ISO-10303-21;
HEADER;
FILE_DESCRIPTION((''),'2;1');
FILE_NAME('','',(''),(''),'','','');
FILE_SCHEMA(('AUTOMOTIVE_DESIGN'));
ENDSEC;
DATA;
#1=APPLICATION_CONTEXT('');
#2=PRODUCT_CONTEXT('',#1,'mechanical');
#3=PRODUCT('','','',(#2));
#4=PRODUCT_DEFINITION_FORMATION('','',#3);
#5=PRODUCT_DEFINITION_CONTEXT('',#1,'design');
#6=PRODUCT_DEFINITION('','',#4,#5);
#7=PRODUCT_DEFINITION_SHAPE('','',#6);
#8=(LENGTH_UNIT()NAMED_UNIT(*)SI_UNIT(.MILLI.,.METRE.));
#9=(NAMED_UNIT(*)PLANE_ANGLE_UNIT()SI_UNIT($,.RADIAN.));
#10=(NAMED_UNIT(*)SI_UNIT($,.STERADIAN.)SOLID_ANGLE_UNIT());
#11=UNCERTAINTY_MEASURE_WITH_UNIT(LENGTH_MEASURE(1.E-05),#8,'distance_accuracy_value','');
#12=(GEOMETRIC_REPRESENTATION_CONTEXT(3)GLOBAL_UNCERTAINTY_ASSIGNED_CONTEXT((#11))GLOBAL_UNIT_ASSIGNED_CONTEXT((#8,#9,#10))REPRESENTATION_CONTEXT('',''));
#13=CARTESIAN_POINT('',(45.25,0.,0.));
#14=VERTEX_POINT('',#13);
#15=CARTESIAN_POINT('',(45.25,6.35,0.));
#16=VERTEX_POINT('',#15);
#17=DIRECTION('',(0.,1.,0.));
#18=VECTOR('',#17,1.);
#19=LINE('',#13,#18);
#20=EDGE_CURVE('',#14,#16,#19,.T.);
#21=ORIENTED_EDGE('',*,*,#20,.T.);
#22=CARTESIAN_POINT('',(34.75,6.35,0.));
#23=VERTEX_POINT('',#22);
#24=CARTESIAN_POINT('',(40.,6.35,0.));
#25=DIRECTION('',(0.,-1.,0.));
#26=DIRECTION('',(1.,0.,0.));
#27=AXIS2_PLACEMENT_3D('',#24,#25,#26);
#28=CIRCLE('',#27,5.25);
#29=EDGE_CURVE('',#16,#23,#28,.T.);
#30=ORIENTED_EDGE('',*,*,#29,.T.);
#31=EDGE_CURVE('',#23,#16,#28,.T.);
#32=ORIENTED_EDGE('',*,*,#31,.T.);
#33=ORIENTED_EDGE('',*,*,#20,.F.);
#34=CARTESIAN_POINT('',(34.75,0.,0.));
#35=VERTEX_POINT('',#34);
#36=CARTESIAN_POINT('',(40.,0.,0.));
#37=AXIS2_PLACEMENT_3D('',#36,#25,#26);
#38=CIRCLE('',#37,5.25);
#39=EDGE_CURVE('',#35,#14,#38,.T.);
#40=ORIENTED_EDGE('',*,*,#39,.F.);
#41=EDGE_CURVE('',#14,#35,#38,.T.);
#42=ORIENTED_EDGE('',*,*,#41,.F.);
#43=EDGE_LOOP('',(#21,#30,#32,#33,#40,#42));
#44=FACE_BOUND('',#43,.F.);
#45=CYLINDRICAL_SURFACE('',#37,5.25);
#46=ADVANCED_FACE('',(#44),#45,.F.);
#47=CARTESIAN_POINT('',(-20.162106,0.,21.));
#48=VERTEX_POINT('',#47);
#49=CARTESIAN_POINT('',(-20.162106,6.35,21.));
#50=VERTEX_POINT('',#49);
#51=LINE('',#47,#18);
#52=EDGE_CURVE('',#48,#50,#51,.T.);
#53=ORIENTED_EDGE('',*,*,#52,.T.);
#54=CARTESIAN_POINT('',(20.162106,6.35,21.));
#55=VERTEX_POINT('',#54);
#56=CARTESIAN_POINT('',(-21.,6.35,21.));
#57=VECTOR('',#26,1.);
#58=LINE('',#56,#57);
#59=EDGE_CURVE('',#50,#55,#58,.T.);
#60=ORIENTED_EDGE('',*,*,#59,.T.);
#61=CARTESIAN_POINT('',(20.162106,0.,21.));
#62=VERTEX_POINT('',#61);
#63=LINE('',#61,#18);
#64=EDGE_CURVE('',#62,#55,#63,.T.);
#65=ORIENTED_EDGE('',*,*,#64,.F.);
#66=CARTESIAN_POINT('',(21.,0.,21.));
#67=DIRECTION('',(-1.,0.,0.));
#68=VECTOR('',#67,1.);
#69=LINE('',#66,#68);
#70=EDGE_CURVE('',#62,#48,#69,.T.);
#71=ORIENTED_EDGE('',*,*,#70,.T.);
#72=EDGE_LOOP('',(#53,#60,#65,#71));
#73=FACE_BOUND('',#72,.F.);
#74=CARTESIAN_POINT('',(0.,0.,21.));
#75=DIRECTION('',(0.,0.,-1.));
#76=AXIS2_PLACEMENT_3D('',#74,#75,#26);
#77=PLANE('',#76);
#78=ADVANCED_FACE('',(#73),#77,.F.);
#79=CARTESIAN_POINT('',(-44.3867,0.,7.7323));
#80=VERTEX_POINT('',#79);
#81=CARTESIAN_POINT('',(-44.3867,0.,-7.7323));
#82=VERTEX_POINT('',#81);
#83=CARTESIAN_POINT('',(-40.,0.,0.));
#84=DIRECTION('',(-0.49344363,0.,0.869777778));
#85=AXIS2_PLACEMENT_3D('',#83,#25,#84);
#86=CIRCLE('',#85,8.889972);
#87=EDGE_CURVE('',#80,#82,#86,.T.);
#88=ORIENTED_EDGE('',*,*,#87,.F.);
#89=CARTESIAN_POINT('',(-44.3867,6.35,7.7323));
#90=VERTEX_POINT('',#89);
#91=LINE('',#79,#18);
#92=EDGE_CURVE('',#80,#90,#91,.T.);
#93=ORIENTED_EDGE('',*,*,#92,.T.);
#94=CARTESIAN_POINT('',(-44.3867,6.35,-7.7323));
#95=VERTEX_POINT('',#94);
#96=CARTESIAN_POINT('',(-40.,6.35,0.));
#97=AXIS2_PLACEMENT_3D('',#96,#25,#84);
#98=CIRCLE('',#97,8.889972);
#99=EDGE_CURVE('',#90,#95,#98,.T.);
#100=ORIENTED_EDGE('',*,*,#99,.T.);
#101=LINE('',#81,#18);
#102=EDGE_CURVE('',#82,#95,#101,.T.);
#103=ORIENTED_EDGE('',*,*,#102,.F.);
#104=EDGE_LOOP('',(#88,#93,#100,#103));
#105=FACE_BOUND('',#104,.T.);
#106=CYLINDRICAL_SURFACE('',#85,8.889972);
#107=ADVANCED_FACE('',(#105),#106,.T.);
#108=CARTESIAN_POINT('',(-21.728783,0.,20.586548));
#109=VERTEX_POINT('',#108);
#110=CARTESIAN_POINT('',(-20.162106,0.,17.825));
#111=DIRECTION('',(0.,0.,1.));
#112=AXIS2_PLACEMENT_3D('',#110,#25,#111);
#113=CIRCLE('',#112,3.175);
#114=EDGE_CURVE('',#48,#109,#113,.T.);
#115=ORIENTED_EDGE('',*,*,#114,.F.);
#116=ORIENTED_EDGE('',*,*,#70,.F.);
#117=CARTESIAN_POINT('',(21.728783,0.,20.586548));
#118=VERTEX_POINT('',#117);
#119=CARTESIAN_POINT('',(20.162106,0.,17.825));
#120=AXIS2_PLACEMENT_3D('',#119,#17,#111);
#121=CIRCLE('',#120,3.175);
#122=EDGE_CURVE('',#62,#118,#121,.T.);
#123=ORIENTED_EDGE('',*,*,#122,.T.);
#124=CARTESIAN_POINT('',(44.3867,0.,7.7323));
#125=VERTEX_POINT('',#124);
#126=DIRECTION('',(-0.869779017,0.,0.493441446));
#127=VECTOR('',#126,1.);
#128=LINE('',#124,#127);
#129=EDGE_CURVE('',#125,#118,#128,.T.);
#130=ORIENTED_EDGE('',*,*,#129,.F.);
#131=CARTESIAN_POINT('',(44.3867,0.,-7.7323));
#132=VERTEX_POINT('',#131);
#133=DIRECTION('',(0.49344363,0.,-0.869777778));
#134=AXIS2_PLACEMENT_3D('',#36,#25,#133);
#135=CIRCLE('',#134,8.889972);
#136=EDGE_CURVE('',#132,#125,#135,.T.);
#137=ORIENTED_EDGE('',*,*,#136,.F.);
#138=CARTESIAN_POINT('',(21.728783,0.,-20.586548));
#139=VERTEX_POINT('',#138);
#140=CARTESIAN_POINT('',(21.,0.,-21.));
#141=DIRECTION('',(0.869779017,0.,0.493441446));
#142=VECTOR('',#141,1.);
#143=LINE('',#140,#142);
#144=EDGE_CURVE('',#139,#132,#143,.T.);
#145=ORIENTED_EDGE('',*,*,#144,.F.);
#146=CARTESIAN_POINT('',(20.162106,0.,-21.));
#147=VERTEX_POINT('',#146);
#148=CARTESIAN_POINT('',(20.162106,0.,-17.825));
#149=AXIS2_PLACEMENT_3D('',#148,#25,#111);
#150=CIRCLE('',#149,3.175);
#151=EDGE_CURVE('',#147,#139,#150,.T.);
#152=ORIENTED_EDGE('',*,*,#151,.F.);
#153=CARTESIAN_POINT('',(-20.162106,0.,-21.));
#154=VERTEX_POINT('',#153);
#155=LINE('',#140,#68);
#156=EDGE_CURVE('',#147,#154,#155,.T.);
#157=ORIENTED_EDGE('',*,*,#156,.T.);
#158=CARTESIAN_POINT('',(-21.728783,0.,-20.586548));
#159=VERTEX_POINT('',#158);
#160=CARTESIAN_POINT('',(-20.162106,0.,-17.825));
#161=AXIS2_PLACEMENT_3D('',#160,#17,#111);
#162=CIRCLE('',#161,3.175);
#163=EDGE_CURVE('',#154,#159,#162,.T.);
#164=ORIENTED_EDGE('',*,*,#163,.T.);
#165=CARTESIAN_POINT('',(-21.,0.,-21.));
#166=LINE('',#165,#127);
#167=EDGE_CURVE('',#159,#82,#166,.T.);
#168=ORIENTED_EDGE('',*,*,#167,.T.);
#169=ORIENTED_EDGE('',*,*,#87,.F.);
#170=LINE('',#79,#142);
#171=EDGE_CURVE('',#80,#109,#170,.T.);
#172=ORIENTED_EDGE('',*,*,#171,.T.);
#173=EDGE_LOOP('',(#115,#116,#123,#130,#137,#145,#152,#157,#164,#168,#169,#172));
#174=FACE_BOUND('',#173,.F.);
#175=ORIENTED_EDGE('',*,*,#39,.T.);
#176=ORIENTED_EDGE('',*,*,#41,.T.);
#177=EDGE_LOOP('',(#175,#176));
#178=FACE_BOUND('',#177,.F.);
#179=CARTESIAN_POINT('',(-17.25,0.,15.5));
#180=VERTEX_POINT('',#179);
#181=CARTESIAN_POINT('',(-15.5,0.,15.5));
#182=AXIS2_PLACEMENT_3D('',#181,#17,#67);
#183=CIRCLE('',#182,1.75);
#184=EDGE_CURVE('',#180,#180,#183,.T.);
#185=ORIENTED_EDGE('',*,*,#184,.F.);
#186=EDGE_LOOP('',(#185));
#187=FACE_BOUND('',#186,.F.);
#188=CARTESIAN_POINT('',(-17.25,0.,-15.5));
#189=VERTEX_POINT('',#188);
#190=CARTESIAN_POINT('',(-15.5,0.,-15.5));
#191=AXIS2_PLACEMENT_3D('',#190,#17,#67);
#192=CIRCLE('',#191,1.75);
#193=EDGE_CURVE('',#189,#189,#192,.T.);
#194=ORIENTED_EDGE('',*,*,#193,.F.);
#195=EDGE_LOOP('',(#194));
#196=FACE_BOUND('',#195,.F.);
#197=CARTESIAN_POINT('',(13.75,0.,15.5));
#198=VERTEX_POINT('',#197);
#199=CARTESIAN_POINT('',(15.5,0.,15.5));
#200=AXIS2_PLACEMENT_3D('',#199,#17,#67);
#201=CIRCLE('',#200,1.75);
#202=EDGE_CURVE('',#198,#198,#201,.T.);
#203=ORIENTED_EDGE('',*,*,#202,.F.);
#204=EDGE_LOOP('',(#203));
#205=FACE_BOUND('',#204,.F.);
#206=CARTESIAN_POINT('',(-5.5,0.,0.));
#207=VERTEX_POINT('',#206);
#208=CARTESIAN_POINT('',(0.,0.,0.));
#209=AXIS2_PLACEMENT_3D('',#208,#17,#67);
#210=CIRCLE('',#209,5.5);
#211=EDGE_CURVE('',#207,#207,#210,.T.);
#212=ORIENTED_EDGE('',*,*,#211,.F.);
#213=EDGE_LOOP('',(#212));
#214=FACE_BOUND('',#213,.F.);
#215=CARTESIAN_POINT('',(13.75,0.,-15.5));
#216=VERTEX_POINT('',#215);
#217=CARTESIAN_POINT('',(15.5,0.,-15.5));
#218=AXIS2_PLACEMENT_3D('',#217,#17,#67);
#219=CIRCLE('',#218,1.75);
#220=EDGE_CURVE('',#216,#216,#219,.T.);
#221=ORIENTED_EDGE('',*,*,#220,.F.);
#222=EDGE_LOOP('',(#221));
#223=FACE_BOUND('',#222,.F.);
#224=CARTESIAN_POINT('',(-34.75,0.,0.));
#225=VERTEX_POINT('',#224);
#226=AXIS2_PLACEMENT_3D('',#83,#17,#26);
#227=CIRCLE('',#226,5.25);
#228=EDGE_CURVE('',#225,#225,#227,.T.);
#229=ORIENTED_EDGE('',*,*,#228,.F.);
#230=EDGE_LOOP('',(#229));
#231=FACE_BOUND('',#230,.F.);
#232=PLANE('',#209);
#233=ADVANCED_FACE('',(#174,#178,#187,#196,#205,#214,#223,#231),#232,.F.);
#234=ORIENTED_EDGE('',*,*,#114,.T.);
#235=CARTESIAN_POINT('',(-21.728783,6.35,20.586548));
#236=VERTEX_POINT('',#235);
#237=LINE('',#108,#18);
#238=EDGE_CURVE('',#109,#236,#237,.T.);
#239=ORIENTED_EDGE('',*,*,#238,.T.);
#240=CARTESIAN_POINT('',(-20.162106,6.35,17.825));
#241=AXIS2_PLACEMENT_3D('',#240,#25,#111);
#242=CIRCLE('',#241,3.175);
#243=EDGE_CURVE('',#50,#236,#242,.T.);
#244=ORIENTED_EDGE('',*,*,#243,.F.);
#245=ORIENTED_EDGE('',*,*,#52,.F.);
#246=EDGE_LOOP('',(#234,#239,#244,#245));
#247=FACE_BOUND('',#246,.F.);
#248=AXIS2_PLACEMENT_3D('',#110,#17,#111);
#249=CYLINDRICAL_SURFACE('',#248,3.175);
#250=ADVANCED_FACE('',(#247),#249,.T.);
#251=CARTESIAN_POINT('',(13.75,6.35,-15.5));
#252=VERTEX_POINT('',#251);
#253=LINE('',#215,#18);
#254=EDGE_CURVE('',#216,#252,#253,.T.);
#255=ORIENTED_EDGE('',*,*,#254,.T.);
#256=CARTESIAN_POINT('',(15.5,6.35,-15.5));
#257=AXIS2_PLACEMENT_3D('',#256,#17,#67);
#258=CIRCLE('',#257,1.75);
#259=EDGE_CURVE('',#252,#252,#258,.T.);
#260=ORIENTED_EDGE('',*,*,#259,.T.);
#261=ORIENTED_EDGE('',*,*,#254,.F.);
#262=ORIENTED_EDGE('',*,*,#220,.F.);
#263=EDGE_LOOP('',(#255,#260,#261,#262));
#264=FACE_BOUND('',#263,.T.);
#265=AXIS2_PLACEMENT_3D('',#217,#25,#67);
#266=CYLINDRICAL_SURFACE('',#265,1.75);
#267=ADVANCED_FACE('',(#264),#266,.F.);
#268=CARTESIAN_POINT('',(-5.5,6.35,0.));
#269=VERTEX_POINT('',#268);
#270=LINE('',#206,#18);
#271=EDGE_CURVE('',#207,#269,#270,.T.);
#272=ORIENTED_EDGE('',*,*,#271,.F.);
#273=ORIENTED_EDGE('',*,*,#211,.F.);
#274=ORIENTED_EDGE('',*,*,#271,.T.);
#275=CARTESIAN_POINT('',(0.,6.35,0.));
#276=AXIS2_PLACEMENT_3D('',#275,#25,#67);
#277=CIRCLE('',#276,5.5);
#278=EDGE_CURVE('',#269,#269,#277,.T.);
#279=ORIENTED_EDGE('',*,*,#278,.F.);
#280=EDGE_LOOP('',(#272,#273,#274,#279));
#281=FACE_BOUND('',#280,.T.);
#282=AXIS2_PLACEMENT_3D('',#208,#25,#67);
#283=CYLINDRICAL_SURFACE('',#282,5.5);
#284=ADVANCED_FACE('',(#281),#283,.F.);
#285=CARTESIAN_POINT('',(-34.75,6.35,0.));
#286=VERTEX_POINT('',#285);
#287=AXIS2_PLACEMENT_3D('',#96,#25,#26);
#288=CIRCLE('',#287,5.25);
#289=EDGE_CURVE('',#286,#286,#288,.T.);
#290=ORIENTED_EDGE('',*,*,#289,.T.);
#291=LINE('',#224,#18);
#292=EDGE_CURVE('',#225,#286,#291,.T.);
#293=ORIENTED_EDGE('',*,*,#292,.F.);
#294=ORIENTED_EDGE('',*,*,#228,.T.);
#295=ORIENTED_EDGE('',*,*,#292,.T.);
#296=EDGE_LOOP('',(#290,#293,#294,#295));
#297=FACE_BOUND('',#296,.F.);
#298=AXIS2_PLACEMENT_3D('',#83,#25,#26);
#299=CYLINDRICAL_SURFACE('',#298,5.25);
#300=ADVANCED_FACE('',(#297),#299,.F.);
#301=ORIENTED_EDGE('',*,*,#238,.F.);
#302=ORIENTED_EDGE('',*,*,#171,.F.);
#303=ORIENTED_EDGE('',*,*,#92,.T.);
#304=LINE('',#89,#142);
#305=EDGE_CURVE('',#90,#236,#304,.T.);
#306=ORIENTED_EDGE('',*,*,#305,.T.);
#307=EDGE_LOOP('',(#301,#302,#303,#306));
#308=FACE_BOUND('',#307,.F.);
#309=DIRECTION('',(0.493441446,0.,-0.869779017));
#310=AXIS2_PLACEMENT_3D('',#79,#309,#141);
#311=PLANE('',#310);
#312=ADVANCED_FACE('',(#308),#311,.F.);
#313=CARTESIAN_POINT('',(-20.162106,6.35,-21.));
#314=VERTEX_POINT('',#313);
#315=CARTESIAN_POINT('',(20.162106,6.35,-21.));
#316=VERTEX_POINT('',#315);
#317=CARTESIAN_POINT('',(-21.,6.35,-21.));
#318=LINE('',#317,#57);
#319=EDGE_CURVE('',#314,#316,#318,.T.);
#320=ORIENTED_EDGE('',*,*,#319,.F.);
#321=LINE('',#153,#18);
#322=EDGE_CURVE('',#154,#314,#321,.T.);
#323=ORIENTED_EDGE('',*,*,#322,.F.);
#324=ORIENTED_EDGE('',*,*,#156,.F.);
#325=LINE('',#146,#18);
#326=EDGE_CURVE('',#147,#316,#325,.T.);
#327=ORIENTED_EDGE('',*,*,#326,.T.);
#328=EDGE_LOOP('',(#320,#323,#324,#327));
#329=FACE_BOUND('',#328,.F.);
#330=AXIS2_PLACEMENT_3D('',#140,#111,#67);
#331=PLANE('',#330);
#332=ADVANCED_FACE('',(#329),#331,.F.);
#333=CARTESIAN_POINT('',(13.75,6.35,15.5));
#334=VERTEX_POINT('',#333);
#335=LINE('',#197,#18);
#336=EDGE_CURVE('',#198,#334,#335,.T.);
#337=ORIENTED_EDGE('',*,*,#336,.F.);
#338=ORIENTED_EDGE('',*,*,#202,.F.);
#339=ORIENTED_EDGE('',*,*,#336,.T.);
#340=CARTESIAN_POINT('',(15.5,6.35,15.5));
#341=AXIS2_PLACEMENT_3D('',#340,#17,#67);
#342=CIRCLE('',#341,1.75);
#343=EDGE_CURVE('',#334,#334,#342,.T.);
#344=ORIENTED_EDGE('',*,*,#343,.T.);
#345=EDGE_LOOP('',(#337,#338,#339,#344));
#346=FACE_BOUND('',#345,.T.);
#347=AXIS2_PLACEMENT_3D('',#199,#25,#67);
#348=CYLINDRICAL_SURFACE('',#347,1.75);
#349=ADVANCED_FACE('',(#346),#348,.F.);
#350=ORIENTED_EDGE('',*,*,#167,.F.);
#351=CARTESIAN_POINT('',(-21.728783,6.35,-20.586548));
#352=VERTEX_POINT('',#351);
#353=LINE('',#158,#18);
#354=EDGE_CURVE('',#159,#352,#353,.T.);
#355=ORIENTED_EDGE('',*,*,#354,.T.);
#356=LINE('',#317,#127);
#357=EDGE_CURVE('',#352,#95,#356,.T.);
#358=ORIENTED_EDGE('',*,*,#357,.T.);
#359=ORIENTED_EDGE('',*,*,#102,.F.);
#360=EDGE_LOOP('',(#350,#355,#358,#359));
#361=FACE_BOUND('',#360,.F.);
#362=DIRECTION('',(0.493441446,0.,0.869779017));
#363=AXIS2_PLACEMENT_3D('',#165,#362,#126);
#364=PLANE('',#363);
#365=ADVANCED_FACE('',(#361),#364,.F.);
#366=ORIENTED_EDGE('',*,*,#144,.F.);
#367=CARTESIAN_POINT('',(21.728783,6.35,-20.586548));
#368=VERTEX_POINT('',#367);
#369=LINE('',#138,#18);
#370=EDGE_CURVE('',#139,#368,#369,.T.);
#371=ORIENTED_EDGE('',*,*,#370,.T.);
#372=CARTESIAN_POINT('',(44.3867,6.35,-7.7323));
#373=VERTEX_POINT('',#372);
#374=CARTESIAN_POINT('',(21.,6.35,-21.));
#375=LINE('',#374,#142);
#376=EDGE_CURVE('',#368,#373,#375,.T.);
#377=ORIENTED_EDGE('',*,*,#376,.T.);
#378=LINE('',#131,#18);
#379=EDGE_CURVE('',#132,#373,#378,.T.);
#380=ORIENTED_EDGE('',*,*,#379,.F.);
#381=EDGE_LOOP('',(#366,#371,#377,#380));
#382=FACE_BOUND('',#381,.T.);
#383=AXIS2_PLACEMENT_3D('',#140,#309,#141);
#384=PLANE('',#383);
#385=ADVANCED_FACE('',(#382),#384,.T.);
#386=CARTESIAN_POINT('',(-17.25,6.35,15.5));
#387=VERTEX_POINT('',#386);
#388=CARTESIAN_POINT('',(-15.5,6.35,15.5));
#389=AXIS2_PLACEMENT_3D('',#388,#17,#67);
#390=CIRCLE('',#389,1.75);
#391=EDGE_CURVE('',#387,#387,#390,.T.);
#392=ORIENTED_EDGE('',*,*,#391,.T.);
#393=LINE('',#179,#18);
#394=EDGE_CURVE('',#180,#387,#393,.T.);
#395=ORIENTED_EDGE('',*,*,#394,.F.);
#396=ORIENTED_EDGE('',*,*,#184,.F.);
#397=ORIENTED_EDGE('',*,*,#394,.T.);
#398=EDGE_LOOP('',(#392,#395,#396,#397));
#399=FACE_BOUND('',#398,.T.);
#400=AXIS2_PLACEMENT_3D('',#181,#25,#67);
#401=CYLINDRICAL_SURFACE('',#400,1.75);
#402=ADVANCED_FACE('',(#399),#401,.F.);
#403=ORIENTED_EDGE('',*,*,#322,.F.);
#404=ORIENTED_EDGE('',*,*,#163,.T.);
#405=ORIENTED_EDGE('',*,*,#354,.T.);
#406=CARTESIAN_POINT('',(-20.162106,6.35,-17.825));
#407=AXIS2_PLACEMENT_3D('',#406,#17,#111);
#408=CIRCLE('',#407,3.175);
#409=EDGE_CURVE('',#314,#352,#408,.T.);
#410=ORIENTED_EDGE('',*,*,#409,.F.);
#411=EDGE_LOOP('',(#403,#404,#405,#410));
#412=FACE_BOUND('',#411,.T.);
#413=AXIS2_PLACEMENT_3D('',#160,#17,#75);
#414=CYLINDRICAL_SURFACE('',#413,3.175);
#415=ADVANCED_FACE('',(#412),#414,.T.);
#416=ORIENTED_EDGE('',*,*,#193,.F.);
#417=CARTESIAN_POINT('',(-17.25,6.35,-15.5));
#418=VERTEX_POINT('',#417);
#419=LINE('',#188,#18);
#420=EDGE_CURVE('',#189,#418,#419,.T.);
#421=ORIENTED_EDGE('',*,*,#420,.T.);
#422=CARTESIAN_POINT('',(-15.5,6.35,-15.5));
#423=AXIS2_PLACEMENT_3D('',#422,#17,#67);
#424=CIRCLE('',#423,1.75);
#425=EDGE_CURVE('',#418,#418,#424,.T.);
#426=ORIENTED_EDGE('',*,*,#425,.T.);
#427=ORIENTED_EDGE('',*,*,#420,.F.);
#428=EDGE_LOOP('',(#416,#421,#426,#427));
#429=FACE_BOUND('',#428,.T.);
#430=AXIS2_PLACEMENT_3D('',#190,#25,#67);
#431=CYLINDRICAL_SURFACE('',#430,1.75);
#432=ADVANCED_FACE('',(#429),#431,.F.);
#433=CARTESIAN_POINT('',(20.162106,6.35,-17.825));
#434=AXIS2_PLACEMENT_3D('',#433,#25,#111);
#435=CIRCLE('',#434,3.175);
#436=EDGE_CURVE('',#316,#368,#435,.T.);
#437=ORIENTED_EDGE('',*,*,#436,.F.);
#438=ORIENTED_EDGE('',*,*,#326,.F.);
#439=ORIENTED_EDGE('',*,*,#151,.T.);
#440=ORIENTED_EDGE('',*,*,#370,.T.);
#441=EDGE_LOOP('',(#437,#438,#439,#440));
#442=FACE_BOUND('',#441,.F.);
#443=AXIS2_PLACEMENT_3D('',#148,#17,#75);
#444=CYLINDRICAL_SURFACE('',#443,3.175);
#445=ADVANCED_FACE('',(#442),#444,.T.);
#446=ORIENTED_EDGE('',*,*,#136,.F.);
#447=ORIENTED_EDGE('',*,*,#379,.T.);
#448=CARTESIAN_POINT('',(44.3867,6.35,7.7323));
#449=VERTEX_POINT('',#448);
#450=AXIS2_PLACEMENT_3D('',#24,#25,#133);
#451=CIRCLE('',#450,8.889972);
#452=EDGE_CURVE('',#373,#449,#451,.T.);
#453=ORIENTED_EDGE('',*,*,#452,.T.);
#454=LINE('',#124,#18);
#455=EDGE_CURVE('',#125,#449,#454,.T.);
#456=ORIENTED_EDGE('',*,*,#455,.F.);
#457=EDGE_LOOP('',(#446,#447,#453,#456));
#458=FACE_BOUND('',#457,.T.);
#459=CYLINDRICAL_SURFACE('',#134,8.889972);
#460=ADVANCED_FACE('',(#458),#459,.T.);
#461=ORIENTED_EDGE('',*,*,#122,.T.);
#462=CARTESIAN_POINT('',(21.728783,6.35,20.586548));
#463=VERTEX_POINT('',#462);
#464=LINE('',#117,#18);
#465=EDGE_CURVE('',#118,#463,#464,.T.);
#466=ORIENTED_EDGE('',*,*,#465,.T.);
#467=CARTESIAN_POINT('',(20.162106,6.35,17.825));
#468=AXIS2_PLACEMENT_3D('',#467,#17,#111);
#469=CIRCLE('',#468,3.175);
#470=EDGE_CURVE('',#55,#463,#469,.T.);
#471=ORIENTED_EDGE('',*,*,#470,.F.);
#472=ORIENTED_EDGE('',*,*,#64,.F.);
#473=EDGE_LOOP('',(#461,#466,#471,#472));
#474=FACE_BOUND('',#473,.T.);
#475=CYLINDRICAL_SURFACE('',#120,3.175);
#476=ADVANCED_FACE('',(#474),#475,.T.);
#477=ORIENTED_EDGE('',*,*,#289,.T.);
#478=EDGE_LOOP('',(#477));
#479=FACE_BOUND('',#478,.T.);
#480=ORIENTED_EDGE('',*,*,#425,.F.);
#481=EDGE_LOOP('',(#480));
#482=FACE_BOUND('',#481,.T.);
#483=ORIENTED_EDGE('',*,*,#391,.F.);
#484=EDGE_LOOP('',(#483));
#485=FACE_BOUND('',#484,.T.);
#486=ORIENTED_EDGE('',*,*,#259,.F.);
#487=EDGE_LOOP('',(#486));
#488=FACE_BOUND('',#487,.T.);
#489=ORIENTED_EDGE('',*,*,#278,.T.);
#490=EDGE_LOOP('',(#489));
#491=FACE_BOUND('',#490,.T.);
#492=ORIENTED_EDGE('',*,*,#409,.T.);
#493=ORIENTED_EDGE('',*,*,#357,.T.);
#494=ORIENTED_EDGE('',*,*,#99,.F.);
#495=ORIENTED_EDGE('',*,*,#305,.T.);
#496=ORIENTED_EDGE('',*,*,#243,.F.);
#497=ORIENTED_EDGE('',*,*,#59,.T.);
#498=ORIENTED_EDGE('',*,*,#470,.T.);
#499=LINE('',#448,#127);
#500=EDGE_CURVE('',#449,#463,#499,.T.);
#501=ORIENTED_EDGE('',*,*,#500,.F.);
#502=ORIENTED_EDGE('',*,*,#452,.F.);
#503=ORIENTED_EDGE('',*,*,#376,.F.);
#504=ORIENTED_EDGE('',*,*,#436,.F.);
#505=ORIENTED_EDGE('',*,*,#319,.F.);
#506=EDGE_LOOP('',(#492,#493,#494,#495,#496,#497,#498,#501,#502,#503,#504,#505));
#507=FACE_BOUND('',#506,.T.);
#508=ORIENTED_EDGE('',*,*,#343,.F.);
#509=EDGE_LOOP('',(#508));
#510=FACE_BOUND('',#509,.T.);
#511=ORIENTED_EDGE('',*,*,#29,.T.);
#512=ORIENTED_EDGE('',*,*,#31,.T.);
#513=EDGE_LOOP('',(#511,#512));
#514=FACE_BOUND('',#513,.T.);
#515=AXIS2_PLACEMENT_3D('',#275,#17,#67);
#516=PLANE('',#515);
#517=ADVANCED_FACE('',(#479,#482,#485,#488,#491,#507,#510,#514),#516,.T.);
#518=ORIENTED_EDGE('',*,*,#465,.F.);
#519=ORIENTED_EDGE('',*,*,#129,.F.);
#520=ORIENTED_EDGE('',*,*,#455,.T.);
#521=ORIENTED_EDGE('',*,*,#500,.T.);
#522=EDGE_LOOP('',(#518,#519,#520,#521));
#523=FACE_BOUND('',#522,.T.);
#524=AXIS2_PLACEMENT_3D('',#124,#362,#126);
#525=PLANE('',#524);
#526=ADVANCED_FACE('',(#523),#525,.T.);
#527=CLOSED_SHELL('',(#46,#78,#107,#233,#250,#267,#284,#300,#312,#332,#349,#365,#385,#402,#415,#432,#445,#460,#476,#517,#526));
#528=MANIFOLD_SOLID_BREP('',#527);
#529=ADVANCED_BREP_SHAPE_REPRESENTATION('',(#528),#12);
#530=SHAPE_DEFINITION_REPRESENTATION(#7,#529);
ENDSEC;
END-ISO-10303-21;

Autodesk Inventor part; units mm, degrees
ref_plane "YZ Plane" through (0, 0, 0) normal (1, 0, 0) x (0, 1, 0)
ref_plane "XZ Plane" through (0, 0, 0) normal (0, 1, 0) x (-1, 0, 0)
ref_plane "XY Plane" through (0, 0, 0) normal (0, 0, 1) x (1, 0, 0)
sketch "Sketch1" plane through (0, 0, 0) normal (0, 1, 0) x (-1, 0, 0)
  line L0 (-21, -21) -> (21, -21)
  line L1 (21, -21) -> (21, 21)
  line L2 (21, 21) -> (-21, 21)
  line L3 (-21, 21) -> (-21, -21)
  line L4 (-21, -21) -> (21, 21) construction
  line L5 (21, -21) -> (-21, 21) construction
  circle A0 centre (15.5, 15.5) radius 1.75
  circle A1 centre (0, 0) radius 5.5
  line L6 (34.796, 0) -> (-29.6686, 0)
  line L7 (0, -38.1967) -> (0, 38.2612)
  circle A2 centre (15.5, -15.5) radius 1.75
  circle A3 centre (-15.5, 15.5) radius 1.75
  circle A4 centre (-15.5, -15.5) radius 1.75
  dimension "d0" = 42
  dimension "d1" = 42
  dimension "d4" = 3.5
  dimension "d8" = 11
  dimension "d13" = 31
extrude "Extrusion4" add sketch "Sketch1" along normal blind 6.35 contours L3 L6 A1 L7 L0 | L7 A1 L6 L1 L0 | L3 L2 L7 A1 L6 | L6 A1 L7 L2 L1
sketch "Sketch2" plane through (0, 0, 0) normal (0, -1, 0) x (1, 0, 0)
  line L0 (0, 45.4999) -> (0, -47.5937)
  line L1 (43.084, 0) -> (-45.3389, 0)
  arc A0 (-44.3867, 7.7323) -> (-44.3867, -7.7323) centre (-40, 0) ccw
  line L2 (-21, -21) -> (-21, 21) projected
  arc A1 (44.3867, -7.7323) -> (44.3867, 7.7323) centre (40, 0) ccw
  line L3 (-21, 21) -> (-21, -21)
  line L4 (-21, -21) -> (-21, 21) projected
  line L5 (21, 21) -> (21, -21)
  line L6 (21, 21) -> (21, -21) projected
  circle A2 centre (-40, 0) radius 5.25
  circle A3 centre (40, 0) radius 5.25
  line L7 (-21, -21) -> (-44.3867, -7.7323)
  line L8 (-44.3867, 7.7323) -> (-21, 21)
  line L9 (-21, 21) -> (-21, -21)
  line L10 (21, -21) -> (44.3867, -7.7323)
  line L11 (44.3867, 7.7323) -> (21, 21)
  point P0 (0, 0)
  dimension "d18" = 10.5
  dimension "d20" = 80
  dimension "d21" = 8.89
extrude "Extrusion5" add sketch "Sketch2" against normal up to surface (6.35 mm away)
fillet "Fillet1" radius 3.175 4 edges at (-21, 3.175, -21) (21, 3.175, -21) (21, 3.175, 21) (-21, 3.175, 21)
equation "\"d0\" = d1"
properties part number "Vertical_Lead_Screw_Shaft_Mount_Plate_Mid"
